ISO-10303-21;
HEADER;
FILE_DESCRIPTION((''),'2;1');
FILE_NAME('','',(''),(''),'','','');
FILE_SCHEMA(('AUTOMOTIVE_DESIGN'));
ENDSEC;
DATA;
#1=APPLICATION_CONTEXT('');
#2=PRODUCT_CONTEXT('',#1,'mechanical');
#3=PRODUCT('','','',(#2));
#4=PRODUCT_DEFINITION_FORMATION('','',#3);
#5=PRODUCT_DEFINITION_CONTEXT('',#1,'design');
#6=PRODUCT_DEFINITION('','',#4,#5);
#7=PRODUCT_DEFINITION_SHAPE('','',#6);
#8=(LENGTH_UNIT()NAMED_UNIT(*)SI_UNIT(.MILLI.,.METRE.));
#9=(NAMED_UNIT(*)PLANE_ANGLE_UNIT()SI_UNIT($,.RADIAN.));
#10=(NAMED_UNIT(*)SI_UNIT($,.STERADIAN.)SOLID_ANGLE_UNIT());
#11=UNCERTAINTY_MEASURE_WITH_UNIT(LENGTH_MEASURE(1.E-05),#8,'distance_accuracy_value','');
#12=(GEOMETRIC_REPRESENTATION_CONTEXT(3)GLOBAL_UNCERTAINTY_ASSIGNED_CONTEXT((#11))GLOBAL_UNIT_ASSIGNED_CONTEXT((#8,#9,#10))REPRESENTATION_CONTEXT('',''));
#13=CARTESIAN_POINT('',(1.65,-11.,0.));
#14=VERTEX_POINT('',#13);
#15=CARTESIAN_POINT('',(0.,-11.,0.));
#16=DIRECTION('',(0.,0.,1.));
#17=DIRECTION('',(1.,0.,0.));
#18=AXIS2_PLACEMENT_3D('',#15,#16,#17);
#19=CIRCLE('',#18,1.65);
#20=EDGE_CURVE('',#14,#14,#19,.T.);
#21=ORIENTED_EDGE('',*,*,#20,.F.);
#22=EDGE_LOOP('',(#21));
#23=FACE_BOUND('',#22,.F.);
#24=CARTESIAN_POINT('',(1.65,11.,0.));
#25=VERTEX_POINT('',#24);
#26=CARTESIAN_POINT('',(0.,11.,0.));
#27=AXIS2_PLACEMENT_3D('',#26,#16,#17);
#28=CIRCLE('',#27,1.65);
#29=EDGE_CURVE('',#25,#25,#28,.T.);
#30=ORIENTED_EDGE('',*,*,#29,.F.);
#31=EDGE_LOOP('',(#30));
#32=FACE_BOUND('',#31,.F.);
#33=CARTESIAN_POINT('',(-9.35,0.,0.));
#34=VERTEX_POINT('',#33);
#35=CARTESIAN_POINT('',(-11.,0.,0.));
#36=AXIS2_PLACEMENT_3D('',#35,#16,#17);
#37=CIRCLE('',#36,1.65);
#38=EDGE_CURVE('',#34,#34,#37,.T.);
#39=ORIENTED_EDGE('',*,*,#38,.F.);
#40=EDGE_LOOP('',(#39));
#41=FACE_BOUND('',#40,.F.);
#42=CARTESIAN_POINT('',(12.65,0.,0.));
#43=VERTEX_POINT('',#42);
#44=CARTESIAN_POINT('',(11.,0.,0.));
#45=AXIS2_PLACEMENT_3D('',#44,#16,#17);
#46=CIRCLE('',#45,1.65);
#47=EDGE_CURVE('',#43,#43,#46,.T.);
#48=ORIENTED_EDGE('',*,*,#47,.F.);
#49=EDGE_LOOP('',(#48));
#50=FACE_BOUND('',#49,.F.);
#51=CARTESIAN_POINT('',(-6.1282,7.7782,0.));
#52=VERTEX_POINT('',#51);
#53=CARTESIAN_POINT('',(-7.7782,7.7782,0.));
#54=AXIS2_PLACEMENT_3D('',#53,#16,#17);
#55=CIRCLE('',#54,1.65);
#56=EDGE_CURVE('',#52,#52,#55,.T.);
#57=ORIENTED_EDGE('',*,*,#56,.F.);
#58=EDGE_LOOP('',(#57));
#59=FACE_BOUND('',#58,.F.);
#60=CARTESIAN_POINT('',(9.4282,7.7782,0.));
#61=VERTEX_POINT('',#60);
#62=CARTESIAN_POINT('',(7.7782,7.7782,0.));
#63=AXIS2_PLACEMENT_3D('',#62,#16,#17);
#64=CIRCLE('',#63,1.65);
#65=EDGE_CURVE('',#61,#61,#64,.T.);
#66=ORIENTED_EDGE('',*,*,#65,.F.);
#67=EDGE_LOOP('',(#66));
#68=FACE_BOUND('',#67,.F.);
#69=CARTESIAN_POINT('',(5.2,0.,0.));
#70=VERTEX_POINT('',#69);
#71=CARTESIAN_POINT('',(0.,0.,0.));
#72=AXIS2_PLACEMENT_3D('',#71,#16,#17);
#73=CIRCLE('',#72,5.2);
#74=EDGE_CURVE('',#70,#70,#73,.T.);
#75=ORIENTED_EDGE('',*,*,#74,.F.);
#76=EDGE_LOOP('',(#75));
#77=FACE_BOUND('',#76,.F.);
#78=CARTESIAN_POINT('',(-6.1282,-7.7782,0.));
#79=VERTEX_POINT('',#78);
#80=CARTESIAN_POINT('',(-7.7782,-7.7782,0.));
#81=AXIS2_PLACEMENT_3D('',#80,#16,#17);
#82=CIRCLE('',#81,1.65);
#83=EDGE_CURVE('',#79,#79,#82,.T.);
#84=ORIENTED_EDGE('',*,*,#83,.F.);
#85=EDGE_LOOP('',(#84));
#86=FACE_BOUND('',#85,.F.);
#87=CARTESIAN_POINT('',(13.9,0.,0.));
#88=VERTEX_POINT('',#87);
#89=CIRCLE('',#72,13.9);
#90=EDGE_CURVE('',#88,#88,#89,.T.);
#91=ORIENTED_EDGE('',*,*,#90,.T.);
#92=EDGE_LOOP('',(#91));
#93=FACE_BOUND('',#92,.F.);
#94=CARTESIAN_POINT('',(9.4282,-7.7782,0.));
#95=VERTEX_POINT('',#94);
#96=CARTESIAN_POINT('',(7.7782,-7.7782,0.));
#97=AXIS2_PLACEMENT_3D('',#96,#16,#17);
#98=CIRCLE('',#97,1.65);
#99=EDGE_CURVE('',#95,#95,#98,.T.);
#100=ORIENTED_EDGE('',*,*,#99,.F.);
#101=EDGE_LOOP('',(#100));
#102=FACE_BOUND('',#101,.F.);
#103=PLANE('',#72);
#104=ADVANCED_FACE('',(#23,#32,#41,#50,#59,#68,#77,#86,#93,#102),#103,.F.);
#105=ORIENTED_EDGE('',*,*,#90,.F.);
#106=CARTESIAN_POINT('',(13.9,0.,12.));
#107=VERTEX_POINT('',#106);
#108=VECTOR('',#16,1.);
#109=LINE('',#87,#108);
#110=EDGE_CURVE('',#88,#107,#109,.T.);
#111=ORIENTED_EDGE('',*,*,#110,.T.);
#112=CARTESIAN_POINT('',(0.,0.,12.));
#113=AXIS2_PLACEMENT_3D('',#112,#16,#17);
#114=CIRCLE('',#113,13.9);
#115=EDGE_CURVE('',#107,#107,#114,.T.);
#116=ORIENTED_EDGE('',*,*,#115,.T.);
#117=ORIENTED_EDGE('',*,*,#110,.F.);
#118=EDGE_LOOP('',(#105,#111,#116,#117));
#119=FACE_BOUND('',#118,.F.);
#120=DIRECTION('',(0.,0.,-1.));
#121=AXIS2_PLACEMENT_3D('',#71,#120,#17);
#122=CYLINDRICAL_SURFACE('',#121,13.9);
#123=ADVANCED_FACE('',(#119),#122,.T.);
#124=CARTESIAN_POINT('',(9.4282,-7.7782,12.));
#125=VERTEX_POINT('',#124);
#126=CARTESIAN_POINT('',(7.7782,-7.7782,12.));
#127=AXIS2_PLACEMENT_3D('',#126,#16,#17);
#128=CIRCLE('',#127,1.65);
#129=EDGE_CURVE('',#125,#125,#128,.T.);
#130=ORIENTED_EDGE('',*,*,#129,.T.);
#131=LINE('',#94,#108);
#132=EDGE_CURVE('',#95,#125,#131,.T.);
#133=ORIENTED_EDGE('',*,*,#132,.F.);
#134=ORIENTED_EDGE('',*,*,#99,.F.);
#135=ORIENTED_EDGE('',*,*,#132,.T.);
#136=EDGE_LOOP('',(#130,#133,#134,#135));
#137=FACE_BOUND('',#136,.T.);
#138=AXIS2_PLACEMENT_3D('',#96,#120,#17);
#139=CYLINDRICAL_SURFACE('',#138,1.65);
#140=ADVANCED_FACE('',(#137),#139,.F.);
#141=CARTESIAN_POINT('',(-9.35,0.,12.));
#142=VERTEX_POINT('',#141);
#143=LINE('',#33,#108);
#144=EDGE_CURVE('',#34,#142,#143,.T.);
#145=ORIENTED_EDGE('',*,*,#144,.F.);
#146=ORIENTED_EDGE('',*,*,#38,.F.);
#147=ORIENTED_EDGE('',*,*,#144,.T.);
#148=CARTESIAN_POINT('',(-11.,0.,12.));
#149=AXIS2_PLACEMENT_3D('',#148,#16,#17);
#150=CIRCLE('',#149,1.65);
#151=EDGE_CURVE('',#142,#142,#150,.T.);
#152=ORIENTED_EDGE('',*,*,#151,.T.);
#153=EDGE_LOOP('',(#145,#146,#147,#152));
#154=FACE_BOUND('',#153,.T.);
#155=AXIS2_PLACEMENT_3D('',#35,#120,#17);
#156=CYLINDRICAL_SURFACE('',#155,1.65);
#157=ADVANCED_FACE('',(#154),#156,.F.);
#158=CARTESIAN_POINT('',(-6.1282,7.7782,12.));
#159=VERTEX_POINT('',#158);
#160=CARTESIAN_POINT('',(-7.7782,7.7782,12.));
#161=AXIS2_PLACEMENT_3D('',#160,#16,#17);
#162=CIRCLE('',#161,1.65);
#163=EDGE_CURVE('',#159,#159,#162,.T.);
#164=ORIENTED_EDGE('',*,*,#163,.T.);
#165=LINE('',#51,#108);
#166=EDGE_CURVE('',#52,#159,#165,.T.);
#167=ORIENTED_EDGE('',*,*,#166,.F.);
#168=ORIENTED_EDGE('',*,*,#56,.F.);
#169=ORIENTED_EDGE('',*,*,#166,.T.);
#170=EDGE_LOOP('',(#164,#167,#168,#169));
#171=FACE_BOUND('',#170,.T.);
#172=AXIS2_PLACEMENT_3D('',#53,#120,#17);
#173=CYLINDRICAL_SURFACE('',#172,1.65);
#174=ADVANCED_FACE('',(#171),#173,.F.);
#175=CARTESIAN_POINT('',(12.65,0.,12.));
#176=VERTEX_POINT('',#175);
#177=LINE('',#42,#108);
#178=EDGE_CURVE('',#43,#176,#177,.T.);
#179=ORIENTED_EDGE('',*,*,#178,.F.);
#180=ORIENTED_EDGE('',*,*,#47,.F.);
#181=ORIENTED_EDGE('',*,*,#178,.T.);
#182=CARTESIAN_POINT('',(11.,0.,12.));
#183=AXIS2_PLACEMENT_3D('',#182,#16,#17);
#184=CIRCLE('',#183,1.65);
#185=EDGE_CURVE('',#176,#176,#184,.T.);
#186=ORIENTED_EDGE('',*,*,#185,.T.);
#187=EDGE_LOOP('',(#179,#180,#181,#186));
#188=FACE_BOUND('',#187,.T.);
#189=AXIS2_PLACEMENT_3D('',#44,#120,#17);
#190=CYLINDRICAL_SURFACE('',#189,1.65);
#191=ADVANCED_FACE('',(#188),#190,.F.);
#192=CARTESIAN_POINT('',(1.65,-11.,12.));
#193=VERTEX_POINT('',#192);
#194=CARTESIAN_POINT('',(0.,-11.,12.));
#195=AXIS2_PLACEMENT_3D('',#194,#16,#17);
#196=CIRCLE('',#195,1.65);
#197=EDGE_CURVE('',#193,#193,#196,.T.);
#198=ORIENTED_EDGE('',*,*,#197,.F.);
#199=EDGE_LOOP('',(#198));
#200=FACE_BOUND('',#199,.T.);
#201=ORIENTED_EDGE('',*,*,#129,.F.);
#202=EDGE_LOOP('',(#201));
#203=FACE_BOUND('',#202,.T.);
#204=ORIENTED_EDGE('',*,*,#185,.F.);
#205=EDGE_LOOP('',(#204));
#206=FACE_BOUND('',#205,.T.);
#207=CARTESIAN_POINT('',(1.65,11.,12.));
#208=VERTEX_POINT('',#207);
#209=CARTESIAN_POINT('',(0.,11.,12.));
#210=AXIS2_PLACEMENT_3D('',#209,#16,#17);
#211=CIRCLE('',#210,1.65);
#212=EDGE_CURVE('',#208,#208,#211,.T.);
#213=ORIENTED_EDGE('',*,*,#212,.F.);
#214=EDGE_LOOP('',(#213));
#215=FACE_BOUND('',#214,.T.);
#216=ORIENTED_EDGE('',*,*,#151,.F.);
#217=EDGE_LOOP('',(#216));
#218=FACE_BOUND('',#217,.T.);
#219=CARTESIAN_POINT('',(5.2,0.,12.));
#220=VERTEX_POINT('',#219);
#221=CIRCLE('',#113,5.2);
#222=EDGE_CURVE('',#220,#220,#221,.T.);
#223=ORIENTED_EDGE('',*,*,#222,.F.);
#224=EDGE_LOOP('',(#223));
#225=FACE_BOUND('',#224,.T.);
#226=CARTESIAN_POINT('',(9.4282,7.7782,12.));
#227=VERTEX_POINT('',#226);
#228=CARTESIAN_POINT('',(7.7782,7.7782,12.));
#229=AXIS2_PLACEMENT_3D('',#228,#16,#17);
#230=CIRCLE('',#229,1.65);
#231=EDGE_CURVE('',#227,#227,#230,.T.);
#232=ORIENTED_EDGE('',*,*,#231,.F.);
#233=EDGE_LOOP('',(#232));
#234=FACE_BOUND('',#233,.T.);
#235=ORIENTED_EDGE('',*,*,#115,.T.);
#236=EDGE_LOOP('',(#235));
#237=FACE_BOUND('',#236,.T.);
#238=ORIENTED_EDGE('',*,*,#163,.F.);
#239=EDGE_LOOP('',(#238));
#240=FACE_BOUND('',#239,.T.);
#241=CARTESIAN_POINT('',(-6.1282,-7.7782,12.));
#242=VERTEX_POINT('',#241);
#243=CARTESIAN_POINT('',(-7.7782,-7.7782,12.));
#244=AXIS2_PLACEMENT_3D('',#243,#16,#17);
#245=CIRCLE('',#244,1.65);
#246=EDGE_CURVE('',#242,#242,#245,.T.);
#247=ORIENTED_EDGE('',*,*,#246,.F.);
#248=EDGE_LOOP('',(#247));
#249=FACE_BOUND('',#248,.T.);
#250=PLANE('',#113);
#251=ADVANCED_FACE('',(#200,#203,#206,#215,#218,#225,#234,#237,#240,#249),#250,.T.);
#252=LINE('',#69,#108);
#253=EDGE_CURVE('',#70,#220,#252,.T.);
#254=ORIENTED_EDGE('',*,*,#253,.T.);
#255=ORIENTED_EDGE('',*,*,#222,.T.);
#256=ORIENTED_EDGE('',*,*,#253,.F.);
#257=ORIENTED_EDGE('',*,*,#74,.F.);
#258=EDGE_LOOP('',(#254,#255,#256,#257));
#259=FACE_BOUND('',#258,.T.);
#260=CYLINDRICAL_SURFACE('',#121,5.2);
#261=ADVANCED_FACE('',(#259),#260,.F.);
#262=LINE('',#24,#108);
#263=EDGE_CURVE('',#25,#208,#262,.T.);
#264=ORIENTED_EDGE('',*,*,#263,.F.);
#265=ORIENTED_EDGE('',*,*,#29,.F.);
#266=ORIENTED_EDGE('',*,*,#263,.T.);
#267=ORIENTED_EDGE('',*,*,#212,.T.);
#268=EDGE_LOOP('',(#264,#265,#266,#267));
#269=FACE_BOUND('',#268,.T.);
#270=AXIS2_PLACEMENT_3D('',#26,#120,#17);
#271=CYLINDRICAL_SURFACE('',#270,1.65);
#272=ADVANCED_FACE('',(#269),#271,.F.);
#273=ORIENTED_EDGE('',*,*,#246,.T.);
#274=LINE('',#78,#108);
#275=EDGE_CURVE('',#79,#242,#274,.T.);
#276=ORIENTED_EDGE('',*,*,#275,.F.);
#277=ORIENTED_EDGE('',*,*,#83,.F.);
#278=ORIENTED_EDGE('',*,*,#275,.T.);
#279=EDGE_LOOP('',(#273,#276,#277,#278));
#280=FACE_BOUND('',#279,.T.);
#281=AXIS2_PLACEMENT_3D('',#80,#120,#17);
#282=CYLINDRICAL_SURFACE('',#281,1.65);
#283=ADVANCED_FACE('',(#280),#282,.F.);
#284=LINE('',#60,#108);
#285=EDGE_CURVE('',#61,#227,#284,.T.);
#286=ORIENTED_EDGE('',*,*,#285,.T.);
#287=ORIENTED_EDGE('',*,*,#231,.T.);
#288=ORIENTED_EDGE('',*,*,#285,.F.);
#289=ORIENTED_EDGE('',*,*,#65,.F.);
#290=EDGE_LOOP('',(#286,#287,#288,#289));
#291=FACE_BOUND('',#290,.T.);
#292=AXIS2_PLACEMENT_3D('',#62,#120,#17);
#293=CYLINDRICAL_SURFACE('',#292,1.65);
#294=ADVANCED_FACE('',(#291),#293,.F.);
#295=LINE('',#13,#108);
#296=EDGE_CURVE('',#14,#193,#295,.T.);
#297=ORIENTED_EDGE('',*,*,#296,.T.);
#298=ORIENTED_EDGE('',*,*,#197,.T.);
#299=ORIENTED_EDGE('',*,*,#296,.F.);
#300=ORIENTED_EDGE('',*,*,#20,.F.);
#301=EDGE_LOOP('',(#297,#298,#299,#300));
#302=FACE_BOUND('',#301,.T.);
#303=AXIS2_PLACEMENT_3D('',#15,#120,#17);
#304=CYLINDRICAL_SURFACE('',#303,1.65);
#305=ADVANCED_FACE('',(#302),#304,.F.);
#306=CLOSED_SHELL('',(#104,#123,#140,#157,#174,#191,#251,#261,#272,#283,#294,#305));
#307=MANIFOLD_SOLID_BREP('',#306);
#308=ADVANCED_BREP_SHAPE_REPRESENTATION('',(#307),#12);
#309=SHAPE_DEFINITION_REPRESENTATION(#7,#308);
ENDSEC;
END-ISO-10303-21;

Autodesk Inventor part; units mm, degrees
ref_plane "YZ Plane" through (0, 0, 0) normal (1, 0, 0) x (0, 1, 0)
ref_plane "XZ Plane" through (0, 0, 0) normal (0, 1, 0) x (-1, 0, 0)
ref_plane "XY Plane" through (0, 0, 0) normal (0, 0, 1) x (1, 0, 0)
sketch "스케치1" plane through (0, 0, 0) normal (0, 0, 1) x (1, 0, 0)
  circle A0 centre (0, 0) radius 13.9 projected
  circle A1 centre (0, 0) radius 5.2
  circle A2 centre (-7.7782, -7.7782) radius 1.65
  circle A3 centre (0, -11) radius 1.65
  circle A4 centre (7.7782, -7.7782) radius 1.65
  circle A5 centre (11, 0) radius 1.65
  circle A6 centre (7.7782, 7.7782) radius 1.65
  circle A7 centre (0, 11) radius 1.65
  circle A8 centre (-7.7782, 7.7782) radius 1.65
  circle A9 centre (-11, 0) radius 1.65
  point P0 (0, 0)
  dimension "d4" = 360
extrude "돌출1" add sketch "스케치1" along normal blind 12
properties part number "부품71"
